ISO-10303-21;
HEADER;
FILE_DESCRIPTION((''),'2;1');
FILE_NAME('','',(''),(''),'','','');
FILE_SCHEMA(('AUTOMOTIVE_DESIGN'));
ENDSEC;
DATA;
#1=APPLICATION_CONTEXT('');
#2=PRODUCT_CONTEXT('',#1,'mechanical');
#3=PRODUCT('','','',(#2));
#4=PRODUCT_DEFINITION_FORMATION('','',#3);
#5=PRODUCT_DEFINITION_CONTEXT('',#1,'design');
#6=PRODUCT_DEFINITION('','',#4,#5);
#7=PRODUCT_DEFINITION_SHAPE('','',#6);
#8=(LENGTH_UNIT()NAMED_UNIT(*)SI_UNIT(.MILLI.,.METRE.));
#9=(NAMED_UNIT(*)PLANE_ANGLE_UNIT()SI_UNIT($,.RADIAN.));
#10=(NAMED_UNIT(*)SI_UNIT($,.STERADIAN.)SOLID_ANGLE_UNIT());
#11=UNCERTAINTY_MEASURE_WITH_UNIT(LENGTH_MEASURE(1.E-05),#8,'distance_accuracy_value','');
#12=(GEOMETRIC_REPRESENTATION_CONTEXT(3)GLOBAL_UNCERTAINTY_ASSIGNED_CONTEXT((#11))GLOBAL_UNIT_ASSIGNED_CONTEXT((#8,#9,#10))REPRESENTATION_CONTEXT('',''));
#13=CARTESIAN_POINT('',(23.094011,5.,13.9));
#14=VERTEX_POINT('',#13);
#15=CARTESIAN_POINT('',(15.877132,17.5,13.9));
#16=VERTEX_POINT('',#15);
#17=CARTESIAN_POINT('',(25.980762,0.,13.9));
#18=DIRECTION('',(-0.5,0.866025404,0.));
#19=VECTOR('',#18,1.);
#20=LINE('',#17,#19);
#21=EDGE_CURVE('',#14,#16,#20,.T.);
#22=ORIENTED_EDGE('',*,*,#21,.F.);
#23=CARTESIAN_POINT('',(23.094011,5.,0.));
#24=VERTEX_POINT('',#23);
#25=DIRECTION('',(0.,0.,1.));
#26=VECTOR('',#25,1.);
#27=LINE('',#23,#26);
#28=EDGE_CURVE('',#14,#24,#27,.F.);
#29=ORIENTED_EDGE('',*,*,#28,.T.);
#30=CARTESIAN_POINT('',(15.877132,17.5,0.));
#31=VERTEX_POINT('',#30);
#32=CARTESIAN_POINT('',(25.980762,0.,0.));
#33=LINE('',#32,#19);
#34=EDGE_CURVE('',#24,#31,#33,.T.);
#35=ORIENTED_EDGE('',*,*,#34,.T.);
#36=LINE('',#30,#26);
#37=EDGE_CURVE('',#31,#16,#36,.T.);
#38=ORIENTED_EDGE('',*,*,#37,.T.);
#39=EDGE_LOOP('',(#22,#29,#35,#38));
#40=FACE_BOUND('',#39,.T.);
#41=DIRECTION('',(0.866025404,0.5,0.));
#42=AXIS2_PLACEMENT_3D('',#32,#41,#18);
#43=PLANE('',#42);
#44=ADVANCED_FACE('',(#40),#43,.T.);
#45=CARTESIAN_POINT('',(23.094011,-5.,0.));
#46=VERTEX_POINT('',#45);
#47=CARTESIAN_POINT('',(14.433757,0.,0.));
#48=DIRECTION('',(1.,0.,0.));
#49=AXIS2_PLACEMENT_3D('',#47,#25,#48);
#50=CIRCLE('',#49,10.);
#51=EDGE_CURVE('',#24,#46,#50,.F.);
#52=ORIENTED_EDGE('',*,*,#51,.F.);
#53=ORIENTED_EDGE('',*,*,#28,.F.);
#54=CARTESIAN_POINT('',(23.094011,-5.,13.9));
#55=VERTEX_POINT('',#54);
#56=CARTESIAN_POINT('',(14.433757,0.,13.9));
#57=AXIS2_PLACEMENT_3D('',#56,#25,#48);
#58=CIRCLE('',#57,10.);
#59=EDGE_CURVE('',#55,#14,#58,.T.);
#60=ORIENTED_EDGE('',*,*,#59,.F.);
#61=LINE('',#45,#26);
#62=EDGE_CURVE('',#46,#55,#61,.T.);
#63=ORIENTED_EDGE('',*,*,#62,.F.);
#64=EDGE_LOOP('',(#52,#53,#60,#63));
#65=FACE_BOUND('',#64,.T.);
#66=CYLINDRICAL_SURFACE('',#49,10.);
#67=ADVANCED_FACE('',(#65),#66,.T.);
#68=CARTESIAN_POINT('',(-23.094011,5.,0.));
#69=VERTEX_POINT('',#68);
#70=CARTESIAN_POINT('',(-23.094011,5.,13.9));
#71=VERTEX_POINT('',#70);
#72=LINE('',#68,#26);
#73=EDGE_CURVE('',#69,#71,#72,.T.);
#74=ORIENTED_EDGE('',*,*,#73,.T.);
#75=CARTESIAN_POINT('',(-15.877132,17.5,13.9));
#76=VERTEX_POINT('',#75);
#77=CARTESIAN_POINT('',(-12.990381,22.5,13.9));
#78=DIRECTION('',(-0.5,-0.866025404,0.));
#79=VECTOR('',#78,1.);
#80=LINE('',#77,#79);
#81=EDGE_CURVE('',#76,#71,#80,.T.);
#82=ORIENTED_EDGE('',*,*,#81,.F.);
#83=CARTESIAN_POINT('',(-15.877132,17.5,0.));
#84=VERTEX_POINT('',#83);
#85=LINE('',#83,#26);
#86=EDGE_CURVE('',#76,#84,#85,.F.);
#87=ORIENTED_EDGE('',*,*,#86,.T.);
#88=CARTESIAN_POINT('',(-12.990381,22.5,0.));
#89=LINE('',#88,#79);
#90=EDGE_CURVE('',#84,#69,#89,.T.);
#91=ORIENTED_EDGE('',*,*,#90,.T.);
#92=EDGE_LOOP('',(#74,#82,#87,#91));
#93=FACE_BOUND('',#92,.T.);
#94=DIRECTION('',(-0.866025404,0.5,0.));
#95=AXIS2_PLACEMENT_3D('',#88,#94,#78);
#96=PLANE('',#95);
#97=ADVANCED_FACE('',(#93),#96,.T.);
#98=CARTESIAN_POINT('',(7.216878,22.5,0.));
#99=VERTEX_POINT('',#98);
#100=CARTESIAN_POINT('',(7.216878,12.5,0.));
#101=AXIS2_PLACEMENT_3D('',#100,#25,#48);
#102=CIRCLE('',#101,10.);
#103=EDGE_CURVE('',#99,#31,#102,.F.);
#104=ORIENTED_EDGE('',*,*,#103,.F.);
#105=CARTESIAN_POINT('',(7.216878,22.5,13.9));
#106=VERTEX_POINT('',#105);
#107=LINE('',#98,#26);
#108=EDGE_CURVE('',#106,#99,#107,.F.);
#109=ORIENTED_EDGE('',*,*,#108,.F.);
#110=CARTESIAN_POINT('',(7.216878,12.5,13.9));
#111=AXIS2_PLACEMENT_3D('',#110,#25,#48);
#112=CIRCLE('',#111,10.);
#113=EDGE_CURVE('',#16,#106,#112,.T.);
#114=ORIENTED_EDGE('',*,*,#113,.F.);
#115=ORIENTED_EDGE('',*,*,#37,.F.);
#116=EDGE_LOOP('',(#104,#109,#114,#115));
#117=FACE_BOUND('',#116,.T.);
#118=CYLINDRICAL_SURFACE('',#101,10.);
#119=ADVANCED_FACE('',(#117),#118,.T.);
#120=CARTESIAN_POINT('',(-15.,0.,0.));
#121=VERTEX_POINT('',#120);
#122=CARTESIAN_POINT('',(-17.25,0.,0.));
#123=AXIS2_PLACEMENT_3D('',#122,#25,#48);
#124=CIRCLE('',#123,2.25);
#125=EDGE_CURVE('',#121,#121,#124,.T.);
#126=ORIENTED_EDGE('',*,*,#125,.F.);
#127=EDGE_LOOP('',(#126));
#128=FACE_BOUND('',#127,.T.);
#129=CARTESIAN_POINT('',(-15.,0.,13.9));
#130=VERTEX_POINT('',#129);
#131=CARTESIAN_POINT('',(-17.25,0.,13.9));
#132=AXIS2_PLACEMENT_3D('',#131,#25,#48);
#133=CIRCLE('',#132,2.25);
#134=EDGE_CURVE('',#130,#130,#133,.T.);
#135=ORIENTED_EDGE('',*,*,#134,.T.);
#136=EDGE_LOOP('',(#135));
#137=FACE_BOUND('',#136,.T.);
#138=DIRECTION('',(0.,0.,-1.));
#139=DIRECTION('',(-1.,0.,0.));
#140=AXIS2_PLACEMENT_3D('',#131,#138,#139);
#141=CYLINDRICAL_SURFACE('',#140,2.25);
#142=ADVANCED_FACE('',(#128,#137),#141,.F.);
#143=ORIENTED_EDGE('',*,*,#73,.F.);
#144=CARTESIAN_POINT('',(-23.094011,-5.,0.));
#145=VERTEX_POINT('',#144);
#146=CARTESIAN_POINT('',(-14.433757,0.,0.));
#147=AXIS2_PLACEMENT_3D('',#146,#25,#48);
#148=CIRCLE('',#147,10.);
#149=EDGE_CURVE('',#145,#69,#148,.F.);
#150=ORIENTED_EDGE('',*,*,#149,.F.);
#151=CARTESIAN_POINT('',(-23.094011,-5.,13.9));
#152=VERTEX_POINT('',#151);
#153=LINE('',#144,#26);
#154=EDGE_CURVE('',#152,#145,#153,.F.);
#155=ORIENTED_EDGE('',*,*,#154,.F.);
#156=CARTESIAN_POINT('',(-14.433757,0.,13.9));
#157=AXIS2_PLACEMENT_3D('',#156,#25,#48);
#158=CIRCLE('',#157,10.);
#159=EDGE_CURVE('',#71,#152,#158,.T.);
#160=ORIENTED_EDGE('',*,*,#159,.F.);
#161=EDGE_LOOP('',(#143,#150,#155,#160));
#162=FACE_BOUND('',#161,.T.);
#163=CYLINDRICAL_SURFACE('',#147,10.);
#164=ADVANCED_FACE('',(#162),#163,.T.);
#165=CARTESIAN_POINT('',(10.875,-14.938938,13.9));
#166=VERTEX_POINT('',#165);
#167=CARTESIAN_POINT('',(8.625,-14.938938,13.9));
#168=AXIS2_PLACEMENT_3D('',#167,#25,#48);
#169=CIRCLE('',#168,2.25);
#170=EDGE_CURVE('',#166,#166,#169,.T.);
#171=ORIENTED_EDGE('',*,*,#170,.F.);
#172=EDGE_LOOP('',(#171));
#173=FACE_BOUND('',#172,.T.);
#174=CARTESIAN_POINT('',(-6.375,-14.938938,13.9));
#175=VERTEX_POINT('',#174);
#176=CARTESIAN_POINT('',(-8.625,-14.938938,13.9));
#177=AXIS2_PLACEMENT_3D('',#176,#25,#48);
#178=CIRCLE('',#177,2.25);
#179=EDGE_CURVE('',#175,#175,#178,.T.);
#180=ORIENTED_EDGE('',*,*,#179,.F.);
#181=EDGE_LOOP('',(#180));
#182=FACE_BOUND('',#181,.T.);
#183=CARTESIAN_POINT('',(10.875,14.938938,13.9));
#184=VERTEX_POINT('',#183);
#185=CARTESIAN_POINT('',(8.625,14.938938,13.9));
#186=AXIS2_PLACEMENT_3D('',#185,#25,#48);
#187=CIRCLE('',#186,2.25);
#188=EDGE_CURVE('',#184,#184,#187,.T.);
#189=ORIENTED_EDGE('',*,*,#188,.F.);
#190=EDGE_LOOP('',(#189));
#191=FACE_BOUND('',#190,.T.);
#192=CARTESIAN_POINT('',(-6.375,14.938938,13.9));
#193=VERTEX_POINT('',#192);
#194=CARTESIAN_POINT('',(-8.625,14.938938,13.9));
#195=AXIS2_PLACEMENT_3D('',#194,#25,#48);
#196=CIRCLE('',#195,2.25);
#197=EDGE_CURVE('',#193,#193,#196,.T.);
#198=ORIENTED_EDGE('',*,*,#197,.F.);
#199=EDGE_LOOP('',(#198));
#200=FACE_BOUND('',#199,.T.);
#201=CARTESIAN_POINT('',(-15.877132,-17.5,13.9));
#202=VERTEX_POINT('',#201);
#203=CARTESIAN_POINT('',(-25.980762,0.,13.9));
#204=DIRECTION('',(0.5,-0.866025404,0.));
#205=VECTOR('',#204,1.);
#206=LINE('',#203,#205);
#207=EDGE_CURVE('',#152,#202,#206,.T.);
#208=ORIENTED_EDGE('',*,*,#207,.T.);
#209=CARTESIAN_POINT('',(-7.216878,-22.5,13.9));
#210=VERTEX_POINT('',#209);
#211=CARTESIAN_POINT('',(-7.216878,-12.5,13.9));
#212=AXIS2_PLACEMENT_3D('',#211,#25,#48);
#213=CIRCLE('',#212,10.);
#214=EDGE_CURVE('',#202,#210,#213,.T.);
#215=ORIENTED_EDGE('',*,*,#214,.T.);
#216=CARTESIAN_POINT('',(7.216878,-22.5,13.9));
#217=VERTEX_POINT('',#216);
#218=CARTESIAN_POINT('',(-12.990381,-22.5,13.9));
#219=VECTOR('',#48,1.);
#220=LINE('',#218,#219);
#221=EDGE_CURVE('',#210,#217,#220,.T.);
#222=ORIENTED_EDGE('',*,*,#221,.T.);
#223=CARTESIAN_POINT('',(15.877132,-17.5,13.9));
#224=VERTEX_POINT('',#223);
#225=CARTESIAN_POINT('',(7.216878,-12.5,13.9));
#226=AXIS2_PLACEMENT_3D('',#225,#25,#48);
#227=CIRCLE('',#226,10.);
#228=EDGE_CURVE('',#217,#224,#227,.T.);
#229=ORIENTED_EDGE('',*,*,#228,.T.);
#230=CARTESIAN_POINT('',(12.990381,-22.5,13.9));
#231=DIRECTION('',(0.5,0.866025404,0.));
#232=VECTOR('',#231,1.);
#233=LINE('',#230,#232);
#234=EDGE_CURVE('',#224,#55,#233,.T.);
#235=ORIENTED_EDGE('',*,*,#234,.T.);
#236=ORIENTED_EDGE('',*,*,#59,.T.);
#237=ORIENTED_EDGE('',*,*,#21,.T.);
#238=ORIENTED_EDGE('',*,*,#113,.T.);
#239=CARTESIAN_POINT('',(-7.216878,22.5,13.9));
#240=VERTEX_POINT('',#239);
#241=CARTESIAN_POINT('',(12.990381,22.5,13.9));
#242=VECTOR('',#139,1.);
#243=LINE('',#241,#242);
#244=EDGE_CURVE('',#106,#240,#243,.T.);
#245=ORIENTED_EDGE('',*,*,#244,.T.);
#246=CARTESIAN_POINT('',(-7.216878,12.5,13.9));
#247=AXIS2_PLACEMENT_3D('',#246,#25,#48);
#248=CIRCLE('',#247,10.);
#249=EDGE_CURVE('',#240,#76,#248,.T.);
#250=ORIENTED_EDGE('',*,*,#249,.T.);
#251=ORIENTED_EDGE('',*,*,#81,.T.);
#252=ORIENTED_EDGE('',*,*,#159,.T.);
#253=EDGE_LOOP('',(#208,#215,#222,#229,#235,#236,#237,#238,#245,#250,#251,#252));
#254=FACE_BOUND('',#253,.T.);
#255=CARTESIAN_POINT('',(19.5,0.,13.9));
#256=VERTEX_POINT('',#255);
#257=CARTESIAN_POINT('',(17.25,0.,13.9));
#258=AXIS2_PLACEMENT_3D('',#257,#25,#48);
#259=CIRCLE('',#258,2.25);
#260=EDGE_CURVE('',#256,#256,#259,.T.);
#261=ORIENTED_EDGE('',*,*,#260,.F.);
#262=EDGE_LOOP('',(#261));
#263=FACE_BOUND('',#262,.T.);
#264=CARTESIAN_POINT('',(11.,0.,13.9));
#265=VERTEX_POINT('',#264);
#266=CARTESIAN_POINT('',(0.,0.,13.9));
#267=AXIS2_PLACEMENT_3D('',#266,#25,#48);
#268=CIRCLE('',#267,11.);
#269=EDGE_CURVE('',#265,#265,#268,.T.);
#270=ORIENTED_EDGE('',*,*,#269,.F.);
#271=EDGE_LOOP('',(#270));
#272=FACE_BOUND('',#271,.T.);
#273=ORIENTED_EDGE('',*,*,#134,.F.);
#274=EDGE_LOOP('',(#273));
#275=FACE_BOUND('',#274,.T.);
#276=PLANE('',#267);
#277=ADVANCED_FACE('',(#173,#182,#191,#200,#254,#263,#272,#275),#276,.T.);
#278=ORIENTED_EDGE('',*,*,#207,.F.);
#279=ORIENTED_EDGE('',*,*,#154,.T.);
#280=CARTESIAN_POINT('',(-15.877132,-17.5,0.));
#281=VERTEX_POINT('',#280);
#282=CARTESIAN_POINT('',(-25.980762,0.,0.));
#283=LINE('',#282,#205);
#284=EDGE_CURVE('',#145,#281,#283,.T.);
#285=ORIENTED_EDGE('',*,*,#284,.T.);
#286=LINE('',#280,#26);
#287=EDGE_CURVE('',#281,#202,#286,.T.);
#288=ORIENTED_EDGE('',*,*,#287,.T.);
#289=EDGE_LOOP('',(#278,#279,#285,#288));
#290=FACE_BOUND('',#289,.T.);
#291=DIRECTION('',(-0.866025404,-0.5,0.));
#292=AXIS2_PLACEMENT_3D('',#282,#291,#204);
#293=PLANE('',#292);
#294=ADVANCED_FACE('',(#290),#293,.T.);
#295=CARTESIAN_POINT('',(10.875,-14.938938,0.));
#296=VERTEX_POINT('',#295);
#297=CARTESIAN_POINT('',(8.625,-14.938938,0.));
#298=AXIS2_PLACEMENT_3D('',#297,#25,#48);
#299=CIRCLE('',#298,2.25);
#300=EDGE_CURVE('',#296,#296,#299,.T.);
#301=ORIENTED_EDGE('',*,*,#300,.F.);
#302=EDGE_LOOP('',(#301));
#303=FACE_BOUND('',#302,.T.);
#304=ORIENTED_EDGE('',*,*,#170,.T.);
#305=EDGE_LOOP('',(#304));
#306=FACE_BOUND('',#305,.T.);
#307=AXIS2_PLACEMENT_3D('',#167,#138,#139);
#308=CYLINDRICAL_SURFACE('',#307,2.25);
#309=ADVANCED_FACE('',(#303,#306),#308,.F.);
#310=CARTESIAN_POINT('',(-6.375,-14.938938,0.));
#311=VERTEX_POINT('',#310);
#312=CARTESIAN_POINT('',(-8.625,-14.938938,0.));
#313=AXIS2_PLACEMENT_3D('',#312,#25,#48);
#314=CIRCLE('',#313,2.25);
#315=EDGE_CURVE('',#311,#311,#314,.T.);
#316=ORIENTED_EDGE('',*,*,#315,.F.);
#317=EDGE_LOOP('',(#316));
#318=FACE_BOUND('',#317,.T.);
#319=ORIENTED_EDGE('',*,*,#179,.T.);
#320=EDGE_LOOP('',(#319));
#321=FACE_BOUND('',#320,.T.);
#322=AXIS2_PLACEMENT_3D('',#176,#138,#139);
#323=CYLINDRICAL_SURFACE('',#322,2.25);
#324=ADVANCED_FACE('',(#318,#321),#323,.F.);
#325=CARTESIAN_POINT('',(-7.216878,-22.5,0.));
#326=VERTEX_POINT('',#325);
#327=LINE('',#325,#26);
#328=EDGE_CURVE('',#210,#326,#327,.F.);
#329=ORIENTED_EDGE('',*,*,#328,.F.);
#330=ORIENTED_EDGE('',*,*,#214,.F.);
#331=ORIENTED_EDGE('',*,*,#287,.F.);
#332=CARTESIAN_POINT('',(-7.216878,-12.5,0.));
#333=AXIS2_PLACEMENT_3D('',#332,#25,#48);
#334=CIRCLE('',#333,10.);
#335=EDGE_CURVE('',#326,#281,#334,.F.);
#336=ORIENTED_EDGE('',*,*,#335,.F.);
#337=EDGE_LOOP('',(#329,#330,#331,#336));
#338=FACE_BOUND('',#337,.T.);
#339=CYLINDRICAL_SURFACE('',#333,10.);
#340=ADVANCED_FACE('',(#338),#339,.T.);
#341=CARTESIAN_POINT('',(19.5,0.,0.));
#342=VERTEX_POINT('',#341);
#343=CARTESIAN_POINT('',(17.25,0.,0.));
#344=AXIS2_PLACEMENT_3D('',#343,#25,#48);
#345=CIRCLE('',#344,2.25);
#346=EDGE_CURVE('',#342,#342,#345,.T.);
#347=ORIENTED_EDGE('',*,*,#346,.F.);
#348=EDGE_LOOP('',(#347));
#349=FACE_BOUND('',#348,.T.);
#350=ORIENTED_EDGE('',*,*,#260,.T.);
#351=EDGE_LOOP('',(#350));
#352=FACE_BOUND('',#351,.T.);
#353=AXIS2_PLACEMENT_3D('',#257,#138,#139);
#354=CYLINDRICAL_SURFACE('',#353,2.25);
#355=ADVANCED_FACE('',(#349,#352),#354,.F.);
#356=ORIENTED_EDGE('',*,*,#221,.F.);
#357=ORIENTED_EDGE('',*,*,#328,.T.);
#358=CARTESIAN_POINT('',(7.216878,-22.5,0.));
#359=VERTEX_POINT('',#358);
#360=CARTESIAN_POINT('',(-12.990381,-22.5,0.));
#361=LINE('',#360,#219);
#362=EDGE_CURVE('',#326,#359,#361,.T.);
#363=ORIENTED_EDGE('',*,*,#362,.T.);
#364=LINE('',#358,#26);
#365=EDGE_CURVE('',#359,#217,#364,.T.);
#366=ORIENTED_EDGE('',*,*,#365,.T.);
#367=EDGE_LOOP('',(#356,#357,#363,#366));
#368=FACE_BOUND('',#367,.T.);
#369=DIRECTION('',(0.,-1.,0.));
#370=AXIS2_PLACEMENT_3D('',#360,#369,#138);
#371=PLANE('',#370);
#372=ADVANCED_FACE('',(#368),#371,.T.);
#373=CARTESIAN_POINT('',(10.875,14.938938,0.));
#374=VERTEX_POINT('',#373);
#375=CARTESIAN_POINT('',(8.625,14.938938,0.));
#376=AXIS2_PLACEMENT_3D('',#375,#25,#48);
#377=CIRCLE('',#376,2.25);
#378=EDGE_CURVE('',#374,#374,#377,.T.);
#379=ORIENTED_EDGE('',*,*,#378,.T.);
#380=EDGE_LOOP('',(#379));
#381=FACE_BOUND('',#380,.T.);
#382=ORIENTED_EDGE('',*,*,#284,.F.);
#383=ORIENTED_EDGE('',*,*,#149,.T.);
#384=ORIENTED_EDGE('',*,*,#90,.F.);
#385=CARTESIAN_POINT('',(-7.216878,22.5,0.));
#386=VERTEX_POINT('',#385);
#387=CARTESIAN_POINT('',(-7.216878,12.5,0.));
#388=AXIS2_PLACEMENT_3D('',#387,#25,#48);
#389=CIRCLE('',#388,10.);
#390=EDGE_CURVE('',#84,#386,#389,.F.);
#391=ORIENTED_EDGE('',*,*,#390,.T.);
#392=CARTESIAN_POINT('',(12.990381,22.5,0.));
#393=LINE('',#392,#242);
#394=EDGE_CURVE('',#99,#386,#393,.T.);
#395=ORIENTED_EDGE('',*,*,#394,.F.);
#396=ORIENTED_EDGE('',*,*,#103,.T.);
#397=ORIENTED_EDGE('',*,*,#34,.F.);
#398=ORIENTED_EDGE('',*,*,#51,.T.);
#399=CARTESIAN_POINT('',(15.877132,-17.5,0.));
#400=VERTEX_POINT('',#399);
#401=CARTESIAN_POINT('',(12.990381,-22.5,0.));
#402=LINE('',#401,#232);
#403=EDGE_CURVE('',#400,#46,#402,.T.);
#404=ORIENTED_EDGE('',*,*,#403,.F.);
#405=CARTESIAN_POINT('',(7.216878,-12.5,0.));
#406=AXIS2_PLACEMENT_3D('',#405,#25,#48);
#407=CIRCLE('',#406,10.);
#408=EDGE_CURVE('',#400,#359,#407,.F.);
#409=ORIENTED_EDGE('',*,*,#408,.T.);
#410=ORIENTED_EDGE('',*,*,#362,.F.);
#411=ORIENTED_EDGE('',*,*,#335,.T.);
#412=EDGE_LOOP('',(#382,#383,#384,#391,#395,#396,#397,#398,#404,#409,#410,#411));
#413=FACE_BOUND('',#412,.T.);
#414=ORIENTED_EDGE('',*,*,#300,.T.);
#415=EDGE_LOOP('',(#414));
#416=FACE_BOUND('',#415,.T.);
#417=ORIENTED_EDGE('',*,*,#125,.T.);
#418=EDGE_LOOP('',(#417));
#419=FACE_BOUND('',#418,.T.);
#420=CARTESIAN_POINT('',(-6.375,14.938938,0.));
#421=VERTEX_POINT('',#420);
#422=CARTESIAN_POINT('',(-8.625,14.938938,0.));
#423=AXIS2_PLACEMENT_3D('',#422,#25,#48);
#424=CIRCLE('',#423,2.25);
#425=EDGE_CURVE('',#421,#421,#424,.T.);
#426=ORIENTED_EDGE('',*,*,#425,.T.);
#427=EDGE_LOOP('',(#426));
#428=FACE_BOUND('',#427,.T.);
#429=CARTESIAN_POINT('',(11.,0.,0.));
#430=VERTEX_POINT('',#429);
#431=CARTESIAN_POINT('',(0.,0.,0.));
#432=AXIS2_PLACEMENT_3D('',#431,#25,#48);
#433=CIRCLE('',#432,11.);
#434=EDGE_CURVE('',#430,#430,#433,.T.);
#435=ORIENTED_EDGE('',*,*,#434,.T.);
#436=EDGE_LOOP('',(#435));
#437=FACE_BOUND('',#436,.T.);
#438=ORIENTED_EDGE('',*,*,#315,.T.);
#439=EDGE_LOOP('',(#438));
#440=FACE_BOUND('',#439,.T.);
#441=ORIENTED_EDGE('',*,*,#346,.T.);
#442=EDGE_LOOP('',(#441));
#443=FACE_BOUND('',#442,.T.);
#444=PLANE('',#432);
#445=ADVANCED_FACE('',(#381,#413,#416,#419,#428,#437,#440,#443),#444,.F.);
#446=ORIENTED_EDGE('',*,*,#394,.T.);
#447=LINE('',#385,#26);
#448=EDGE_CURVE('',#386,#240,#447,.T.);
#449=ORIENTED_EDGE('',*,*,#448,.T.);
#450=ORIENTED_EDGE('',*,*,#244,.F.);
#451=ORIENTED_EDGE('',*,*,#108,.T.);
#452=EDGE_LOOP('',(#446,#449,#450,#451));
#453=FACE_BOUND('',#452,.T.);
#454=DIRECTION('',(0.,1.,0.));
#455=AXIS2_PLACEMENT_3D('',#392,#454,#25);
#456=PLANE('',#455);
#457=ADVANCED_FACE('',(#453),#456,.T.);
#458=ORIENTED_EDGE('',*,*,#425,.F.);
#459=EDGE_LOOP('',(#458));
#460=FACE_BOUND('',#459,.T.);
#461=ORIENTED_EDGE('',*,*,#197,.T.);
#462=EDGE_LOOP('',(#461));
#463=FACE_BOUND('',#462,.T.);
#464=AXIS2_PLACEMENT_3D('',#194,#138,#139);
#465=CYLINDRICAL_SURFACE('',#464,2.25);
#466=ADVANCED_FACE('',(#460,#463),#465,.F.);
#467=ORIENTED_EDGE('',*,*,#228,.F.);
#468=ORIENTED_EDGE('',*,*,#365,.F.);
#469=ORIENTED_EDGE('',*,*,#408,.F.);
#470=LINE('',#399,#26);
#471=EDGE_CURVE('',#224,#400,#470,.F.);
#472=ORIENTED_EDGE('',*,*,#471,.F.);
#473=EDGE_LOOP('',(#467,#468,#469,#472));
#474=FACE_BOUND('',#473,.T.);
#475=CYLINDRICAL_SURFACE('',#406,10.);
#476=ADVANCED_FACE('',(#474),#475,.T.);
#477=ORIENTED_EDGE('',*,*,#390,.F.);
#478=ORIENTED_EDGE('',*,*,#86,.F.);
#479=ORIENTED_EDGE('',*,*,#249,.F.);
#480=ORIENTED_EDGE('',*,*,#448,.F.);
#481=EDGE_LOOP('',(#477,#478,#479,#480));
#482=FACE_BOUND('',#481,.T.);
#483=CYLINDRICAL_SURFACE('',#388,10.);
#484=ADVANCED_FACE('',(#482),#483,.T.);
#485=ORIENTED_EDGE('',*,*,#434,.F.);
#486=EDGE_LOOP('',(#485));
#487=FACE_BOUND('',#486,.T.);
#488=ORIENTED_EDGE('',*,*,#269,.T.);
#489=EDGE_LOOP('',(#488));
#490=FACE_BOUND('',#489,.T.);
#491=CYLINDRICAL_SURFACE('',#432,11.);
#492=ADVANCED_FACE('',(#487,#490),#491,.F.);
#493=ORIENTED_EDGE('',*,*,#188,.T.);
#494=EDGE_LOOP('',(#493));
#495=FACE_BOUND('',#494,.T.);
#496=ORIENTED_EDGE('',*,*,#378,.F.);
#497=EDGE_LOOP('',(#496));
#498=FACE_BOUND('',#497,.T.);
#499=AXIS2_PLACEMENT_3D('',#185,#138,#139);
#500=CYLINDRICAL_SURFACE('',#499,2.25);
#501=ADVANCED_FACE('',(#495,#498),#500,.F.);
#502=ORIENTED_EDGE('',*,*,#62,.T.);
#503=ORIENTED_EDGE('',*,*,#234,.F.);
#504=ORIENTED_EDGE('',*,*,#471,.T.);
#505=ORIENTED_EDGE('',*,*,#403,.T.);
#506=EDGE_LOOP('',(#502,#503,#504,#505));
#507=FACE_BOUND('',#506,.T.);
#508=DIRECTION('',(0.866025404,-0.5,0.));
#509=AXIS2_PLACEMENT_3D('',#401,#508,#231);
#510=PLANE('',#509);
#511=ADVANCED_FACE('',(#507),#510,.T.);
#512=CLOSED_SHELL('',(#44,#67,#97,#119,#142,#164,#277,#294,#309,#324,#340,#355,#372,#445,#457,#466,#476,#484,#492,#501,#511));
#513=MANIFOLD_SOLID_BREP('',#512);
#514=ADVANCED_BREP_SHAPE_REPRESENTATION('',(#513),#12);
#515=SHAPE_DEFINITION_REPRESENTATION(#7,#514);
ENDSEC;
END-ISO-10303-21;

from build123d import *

# Parameters (mm, degrees)
SKETCH_1_R          = 29.4
SKETCH_1_R_2        = 2.25
EXTRUDE_1_DEPTH     = 13.9
SKETCH_2_OUTSIDE_W  = 77.662
SKETCH_2_OUTSIDE_H  = 77.662
SKETCH_2_OUTSIDE_R  = 11
CUT_EXTRUDE_1_DEPTH = 44.83982208
FILLET_1_R          = 10


with BuildPart() as part:
    # 草图1 → 凸台-拉伸1 (new body)
    with BuildSketch(Plane.XY):
        Circle(SKETCH_1_R)
        with Locations((-17.25, 0)):
            Circle(SKETCH_1_R_2, mode=Mode.SUBTRACT)
        with Locations((-8.625, 14.938938215)):
            Circle(SKETCH_1_R_2, mode=Mode.SUBTRACT)
        with Locations((8.625, 14.938938215)):
            Circle(SKETCH_1_R_2, mode=Mode.SUBTRACT)
        with Locations((17.25, 0)):
            Circle(SKETCH_1_R_2, mode=Mode.SUBTRACT)
        with Locations((8.625, -14.938938215)):
            Circle(SKETCH_1_R_2, mode=Mode.SUBTRACT)
        with Locations((-8.625, -14.938938215)):
            Circle(SKETCH_1_R_2, mode=Mode.SUBTRACT)
    extrude(amount=EXTRUDE_1_DEPTH)

    # 草图2 outside → 切除-拉伸1 (cut, through all)
    # profile 1 of 2: a face of its own
    with BuildSketch(Plane.XY.offset(13.9)):
        Rectangle(SKETCH_2_OUTSIDE_W, SKETCH_2_OUTSIDE_H)
        Polygon((12.990381057, 22.5), (-12.990381057, 22.5), (-25.980762114, 0), (-12.990381057, -22.5), (12.990381057, -22.5), (25.980762114, 0), align=None, mode=Mode.SUBTRACT)
    # profile 2 of 2: a face of its own
    with BuildSketch(Plane.XY.offset(13.9)):
        Circle(SKETCH_2_OUTSIDE_R)
    extrude(amount=-CUT_EXTRUDE_1_DEPTH, mode=Mode.SUBTRACT)

    # 圆角1
    fillet_1_edges = [part.edges().sort_by_distance(p)[0] for p in [
        (25.980762114, 0, 6.95),
        (12.990381057, -22.5, 6.95),
        (-12.990381057, -22.5, 6.95),
        (-25.980762114, 0, 6.95),
        (-12.990381057, 22.5, 6.95),
        (12.990381057, 22.5, 6.95),
    ]]
    fillet(fillet_1_edges, radius=FILLET_1_R)


solid = part.part
